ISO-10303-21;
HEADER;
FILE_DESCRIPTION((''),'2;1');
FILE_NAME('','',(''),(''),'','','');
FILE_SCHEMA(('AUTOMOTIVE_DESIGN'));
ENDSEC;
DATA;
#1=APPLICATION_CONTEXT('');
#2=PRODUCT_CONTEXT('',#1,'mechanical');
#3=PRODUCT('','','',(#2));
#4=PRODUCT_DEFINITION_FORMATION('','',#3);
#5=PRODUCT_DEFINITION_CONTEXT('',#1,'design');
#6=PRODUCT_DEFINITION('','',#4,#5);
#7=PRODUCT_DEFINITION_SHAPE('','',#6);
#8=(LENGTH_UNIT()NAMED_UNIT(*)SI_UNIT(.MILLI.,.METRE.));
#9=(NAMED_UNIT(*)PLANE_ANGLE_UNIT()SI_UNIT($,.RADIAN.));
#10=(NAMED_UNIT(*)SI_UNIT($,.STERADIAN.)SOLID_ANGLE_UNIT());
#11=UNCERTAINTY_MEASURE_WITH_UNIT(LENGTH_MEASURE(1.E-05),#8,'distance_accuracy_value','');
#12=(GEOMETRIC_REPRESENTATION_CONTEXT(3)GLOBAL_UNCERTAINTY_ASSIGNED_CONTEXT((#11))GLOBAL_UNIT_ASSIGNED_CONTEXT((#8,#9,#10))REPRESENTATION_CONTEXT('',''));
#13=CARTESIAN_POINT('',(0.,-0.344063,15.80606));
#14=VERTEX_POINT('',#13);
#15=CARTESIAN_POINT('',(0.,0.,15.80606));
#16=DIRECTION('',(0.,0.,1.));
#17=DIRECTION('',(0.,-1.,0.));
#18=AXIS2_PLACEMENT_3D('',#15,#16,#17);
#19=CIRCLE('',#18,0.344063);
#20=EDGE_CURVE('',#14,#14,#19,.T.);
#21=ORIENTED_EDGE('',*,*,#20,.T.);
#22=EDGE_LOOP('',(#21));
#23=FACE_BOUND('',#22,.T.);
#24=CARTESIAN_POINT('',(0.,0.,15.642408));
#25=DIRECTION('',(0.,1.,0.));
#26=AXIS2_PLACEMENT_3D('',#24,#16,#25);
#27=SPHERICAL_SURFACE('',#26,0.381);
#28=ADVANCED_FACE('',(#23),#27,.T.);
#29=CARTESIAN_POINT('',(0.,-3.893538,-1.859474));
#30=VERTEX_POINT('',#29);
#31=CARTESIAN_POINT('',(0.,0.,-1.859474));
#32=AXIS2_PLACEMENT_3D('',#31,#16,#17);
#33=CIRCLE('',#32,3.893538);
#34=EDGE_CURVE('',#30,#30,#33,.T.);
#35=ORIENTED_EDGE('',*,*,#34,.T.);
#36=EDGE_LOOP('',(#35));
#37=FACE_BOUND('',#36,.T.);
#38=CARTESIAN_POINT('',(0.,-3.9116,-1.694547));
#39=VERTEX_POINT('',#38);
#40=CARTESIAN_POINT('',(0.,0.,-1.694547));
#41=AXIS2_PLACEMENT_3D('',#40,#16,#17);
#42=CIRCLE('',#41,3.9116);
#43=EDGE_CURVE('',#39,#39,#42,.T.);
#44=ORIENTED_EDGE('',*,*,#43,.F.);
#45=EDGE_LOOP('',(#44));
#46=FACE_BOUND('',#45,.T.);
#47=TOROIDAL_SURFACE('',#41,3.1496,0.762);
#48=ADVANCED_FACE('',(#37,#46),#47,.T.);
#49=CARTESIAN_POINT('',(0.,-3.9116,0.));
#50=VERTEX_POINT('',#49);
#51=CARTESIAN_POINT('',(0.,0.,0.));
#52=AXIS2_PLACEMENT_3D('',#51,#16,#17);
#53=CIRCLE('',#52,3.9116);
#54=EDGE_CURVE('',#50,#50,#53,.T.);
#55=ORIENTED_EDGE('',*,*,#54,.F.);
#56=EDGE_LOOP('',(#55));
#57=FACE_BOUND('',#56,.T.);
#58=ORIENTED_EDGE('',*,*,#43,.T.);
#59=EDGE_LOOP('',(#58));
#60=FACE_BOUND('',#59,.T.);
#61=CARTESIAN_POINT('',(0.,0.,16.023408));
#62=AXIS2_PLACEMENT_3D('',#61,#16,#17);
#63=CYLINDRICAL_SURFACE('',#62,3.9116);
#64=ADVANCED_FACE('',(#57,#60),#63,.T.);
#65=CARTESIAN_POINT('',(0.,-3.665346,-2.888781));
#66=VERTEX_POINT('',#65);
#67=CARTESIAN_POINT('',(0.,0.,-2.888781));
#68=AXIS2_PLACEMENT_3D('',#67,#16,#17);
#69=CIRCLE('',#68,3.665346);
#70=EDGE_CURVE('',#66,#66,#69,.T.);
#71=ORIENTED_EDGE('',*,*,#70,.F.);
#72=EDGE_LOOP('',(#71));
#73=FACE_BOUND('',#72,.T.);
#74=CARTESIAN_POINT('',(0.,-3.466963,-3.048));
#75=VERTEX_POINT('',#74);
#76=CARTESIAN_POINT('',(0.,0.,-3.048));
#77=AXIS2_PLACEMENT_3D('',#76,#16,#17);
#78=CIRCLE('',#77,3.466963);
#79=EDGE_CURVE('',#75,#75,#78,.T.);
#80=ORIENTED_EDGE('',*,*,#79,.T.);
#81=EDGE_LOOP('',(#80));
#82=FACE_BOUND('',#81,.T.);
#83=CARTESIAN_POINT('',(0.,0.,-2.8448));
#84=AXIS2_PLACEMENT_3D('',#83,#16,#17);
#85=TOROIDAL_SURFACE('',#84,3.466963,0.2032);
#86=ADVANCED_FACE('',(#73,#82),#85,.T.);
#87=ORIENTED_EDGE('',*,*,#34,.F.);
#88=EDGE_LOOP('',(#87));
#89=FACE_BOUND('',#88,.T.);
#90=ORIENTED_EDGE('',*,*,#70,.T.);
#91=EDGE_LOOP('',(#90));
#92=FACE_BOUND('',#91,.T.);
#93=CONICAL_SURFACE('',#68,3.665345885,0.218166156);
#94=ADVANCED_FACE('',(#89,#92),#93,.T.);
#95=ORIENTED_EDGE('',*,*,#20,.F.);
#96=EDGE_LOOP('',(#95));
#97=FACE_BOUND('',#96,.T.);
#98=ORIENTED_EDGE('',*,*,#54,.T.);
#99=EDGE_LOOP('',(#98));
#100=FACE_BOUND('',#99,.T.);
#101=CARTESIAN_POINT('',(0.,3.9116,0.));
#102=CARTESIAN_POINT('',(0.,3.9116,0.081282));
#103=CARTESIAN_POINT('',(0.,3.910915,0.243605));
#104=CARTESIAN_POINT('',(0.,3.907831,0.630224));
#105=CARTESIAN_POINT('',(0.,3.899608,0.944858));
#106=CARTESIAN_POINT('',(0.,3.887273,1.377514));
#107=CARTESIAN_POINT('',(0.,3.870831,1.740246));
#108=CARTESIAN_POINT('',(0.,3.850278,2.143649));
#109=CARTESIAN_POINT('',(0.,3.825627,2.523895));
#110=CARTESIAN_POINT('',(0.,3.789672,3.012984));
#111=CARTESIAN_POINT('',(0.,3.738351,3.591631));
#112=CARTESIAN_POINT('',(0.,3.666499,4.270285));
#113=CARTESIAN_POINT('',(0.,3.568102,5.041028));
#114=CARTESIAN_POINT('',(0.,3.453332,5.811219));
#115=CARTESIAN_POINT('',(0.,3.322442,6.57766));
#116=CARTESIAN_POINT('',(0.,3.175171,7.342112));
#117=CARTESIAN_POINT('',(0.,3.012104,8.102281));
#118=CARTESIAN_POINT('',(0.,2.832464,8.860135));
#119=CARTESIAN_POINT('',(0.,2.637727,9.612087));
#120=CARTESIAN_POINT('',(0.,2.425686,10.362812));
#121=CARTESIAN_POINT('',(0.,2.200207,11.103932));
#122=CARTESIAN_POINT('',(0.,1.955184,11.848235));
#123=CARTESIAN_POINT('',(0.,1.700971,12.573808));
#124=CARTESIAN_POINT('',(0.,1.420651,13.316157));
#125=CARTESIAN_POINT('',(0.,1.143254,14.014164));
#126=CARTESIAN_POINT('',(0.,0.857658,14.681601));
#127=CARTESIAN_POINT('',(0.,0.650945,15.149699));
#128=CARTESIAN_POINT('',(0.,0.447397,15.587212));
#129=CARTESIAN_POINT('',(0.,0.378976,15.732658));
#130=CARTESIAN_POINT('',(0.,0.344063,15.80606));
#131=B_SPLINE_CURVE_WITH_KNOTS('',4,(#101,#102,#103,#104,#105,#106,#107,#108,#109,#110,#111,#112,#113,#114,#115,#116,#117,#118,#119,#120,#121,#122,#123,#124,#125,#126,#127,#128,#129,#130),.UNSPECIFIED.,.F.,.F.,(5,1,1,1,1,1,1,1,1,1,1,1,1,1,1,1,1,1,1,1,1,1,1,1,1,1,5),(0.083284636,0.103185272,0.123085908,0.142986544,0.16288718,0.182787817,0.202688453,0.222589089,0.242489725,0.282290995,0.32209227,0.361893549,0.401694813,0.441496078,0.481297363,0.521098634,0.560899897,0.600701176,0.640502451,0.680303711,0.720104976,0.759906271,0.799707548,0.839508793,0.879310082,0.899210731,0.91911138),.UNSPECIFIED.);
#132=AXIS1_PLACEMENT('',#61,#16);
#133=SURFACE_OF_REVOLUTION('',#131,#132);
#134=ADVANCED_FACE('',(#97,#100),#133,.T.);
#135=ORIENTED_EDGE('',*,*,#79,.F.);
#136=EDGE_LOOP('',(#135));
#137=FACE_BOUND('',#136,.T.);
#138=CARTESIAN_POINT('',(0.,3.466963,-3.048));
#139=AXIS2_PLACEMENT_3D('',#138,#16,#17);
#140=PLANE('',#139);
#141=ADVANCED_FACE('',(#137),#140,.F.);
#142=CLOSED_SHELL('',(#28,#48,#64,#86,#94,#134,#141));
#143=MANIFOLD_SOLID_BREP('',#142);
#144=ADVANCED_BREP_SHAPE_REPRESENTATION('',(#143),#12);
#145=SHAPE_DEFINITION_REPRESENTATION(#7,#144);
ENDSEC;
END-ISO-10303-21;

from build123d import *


with BuildPart() as part:
    # Sketch2 → Basic (Boat Tail) (revolve)
    with BuildSketch(Plane(origin=(0, 0, 0), x_dir=(0, 0, -1), z_dir=(1, 0, 0)), mode=Mode.PRIVATE) as basic_boat_tail_sk:
        with BuildLine():
            Line((-16.023408116, 0), (0, 0))
            Line((0, 0), (3.048, 0))
            Line((3.048, 0), (3.048, 3.466962537))
            ThreePointArc((3.048, 3.466962537), (3.003272527, 3.594150186), (2.88878053, 3.665345885))
            Line((2.88878053, 3.665345885), (1.859474413, 3.893537557))
            ThreePointArc((1.859474413, 3.893537557), (1.777503986, 3.90707093), (1.694547427, 3.9116))
            Line((1.694547427, 3.9116), (0, 3.9116))
            add(Edge.make_bspline(
                [(-15.806059792, 0.344062682), (-15.732658123, 0.378975815), (-15.5872123, 0.447397482), (-15.149699133, 0.650944906), (-14.681600853, 0.857658133), (-14.014163585, 1.143254029), (-13.316156675, 1.420650834), (-12.573807647, 1.700970995), (-11.848235301, 1.955184147), (-11.103931644, 2.200207389), (-10.362812016, 2.425686256), (-9.612087432, 2.637726581), (-8.860134943, 2.832464436), (-8.10228101, 3.0121039), (-7.342111585, 3.175171021), (-6.577659689, 3.322441704), (-5.811219133, 3.453331565), (-5.041028241, 3.5681016), (-4.270284693, 3.666499153), (-3.591630851, 3.738350546), (-3.012983586, 3.789672425), (-2.523895361, 3.825627048), (-2.143648517, 3.850278035), (-1.740246038, 3.870831388), (-1.377513769, 3.887272733), (-0.94485814, 3.899607712), (-0.630224141, 3.907830552), (-0.243605203, 3.910914664), (-0.081281751, 3.9116), (0, 3.9116)],
                knots=[0.083284636, 0.083284636, 0.083284636, 0.083284636, 0.083284636, 0.103185285, 0.123085934, 0.162887223, 0.202688468, 0.242489745, 0.28229104, 0.322092305, 0.361893565, 0.40169484, 0.441496119, 0.481297382, 0.521098653, 0.560899938, 0.600701203, 0.640502467, 0.680303746, 0.720105021, 0.759906291, 0.779806927, 0.799707563, 0.819608199, 0.839508836, 0.859409472, 0.879310108, 0.899210744, 0.91911138, 0.91911138, 0.91911138, 0.91911138, 0.91911138], degree=4))
            ThreePointArc((-15.806059792, 0.344062682), (-15.964520122, 0.203481831), (-16.023408116, 0))
        make_face()
    revolve(basic_boat_tail_sk.sketch.rotate(Axis((0, 0, 16.023408116), (0, 0, -1)), 180), axis=Axis((0, 0, 16.023408116), (0, 0, -1)))


solid = part.part
